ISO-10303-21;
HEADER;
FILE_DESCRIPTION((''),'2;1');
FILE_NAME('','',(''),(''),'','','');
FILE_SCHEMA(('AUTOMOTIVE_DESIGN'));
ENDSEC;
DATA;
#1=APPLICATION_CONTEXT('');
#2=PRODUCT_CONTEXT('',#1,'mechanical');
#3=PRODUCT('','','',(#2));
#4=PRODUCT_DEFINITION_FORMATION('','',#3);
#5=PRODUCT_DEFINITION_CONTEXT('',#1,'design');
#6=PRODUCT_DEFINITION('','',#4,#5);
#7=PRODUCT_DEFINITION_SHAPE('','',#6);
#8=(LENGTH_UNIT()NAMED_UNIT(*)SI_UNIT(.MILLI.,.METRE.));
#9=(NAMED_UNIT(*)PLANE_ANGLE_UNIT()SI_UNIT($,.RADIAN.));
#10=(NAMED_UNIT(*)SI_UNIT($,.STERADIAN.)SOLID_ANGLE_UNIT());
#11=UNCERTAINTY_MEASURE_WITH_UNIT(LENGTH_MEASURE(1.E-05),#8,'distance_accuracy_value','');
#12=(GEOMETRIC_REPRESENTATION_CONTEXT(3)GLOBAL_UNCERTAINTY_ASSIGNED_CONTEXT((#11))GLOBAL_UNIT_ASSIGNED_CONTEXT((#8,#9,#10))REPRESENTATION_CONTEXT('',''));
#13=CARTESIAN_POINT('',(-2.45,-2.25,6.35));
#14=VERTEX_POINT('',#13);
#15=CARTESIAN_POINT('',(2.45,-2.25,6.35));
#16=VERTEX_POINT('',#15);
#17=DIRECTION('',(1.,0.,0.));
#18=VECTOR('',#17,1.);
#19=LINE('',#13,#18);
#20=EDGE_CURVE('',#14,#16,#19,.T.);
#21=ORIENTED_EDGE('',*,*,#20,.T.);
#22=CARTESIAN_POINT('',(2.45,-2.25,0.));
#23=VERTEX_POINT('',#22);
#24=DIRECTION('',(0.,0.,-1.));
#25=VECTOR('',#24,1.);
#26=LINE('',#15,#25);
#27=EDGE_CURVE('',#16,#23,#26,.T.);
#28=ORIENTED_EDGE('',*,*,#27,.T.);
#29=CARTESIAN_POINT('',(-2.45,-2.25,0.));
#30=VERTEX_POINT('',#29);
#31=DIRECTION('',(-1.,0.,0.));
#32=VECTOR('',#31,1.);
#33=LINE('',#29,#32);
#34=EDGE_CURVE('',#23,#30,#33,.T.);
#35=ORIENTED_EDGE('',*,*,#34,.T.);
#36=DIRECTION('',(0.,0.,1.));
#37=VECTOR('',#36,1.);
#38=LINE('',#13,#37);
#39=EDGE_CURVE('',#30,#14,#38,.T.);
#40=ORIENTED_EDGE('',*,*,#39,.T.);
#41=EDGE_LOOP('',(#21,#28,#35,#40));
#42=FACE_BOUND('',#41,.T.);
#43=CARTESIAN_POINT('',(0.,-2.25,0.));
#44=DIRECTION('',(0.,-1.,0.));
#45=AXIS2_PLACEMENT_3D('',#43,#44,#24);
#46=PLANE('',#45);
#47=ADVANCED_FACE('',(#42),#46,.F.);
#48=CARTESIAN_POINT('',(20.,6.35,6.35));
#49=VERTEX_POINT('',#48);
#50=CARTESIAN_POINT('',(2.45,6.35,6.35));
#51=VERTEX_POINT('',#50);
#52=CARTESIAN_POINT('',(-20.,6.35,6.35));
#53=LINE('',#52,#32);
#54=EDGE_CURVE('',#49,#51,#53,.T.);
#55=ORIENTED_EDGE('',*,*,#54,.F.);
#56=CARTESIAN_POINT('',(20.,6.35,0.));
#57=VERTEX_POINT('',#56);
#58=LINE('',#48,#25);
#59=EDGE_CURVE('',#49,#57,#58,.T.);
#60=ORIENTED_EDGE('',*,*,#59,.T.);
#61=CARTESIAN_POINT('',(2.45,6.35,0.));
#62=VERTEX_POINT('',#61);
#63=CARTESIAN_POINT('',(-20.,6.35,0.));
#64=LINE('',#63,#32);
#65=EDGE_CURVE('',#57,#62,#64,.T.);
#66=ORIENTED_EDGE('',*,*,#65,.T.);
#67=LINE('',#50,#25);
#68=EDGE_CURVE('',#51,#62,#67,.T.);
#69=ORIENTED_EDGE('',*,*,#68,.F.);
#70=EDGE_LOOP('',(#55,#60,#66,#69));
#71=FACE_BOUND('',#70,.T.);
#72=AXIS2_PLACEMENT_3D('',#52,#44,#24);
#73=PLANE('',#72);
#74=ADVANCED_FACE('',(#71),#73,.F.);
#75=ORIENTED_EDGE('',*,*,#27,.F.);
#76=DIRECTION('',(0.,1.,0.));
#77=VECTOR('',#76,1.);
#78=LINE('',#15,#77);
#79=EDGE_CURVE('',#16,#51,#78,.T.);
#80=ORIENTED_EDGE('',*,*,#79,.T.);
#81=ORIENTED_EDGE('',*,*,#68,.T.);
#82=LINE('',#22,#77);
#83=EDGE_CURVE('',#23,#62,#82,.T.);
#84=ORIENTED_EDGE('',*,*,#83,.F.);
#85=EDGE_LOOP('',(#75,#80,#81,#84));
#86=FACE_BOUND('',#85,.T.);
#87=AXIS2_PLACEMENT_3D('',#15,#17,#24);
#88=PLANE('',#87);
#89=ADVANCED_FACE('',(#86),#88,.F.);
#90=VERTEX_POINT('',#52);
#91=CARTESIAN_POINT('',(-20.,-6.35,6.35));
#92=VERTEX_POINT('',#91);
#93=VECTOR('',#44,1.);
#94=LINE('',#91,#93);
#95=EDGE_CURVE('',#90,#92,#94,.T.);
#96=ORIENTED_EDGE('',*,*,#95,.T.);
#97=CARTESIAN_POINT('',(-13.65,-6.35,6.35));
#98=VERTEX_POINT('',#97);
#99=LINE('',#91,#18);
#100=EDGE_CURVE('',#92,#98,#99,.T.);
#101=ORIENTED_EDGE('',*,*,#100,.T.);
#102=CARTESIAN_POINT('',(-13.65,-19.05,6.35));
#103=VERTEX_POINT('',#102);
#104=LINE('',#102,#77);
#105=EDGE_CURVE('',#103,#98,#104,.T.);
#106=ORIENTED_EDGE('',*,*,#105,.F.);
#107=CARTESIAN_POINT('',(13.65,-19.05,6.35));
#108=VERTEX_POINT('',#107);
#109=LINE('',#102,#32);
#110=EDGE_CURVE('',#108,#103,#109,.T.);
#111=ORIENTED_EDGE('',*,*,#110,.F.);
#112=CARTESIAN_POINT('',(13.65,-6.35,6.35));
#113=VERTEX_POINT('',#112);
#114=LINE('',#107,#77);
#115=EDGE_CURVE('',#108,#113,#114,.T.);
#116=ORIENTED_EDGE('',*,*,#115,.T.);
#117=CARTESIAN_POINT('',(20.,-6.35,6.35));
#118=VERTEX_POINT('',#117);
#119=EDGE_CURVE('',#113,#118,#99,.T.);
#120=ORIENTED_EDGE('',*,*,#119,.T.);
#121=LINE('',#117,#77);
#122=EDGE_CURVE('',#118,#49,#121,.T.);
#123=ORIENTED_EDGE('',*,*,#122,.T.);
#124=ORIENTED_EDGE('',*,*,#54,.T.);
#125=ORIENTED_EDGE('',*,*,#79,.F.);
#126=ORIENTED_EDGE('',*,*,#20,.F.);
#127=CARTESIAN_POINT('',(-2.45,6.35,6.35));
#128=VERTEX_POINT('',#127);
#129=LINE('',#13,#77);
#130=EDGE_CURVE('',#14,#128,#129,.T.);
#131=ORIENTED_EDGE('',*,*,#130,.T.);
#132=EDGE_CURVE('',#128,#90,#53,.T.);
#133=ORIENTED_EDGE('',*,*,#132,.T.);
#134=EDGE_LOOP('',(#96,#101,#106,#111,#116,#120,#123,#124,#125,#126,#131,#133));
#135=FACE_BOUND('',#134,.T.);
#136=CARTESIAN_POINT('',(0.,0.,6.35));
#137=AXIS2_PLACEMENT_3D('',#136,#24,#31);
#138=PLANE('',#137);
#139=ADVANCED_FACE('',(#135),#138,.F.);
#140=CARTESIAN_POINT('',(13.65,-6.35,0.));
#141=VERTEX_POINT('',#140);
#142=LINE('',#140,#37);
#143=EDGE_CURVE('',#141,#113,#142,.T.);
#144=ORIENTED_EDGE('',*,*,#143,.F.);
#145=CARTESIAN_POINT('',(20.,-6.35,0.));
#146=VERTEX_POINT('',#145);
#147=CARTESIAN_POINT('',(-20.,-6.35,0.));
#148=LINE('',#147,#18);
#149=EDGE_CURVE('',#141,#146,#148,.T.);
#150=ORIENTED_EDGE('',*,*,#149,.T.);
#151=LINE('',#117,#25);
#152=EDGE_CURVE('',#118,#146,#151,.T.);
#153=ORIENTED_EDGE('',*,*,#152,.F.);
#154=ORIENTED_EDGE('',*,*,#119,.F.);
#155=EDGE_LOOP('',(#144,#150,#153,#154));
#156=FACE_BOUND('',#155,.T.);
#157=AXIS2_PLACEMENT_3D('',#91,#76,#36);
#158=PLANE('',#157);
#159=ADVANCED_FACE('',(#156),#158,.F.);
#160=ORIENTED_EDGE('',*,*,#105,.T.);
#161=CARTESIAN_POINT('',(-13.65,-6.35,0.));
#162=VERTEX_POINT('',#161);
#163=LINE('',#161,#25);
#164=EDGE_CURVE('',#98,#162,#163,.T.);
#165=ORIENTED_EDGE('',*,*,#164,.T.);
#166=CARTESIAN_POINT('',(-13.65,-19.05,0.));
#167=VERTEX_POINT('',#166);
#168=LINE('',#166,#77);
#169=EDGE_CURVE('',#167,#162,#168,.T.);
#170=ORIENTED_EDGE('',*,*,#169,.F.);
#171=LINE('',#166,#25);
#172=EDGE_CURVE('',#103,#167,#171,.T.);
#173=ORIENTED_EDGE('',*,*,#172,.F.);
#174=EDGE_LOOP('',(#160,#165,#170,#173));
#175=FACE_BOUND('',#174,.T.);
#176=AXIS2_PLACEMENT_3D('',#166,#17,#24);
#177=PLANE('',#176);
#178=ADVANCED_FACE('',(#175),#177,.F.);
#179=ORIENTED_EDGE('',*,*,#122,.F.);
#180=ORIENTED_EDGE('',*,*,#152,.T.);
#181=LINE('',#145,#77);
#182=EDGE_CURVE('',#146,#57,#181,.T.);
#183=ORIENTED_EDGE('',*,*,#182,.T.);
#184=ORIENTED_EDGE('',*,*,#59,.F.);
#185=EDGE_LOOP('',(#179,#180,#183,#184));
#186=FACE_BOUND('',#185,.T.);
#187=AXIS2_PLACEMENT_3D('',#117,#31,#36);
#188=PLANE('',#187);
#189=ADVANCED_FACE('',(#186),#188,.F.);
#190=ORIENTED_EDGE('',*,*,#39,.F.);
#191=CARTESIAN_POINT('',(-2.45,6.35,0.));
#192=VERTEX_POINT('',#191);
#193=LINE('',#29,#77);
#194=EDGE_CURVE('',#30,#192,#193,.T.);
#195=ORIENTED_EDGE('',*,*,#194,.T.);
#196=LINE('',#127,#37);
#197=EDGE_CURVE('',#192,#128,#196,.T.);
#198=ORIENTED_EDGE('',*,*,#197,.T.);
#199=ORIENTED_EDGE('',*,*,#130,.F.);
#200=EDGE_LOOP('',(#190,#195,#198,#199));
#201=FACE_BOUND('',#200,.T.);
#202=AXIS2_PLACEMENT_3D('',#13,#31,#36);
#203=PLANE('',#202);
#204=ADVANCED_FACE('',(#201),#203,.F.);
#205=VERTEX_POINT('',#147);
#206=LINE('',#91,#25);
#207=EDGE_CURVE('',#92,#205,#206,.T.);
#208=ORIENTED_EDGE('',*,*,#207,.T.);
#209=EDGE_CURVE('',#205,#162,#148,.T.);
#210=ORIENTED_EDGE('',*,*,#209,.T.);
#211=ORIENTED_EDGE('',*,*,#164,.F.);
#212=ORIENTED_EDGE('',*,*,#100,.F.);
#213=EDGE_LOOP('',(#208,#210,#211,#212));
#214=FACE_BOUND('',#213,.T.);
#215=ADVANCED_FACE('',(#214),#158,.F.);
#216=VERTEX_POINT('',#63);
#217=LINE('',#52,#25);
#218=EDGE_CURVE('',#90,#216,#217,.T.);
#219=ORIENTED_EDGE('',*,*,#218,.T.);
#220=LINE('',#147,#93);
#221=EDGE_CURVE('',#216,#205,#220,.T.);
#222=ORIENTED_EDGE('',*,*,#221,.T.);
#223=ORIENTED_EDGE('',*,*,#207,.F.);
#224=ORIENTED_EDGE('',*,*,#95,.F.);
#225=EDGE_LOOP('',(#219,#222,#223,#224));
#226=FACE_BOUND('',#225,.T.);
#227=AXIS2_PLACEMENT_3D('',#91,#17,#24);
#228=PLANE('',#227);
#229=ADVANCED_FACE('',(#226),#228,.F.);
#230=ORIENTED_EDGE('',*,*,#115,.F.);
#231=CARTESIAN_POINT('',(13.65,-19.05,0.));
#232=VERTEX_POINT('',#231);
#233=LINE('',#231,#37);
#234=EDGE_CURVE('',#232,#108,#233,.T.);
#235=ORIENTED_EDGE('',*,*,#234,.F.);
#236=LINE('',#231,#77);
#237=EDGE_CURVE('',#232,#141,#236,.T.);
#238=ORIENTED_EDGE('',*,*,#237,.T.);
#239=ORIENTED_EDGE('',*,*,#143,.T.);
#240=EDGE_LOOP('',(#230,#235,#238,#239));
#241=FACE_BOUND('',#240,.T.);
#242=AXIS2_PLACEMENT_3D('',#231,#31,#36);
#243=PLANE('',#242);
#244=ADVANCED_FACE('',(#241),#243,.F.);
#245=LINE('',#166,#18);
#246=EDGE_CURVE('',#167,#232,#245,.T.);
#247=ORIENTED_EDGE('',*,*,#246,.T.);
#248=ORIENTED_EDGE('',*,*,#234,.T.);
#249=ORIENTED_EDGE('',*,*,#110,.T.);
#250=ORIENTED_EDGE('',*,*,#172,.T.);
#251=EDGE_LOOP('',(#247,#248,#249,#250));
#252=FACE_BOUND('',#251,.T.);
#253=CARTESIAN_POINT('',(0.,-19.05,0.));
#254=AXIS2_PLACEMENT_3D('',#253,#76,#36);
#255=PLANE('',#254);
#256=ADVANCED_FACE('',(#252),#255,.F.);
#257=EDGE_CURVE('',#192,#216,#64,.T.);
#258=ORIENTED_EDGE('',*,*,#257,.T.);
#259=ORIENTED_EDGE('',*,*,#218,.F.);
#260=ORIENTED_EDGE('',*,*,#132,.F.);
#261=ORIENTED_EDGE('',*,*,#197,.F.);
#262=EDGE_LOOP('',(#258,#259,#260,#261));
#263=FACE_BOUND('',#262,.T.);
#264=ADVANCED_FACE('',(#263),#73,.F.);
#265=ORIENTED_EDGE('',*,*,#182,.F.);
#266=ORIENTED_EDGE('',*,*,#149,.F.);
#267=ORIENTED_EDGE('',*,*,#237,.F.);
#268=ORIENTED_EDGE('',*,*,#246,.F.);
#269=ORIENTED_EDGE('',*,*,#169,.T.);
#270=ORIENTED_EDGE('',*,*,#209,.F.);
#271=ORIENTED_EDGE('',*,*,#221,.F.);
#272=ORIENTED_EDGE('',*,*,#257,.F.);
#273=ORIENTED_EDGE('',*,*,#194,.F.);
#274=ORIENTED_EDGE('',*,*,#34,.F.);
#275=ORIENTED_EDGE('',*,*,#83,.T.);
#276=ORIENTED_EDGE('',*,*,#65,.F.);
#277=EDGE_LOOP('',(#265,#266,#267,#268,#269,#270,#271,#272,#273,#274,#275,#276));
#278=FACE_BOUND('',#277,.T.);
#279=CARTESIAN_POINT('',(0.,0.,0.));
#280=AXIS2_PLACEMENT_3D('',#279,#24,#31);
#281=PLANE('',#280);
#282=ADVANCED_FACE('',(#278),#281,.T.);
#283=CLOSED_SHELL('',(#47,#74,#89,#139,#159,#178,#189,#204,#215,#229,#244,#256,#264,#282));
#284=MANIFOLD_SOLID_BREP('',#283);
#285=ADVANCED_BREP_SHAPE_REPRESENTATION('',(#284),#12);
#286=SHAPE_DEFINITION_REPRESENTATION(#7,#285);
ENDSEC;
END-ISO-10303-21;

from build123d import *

# Parameters (mm, degrees)
SKETCH2_W           = 40
SKETCH2_H           = 12.7
BOSS_EXTRUDE1_DEPTH = 6.35
SKETCH3_W           = 27.3
SKETCH3_H           = 6.35
BOSS_EXTRUDE2_DEPTH = 12.7
SKETCH4_W           = 4.9
SKETCH4_H           = 6.35
CUT_EXTRUDE1_DEPTH  = 8.6


with BuildPart() as part:
    # Sketch2 → Boss-Extrude1 (new body)
    with BuildSketch(Plane.XY):
        Rectangle(SKETCH2_W, SKETCH2_H)
    extrude(amount=BOSS_EXTRUDE1_DEPTH)

    # Sketch3 → Boss-Extrude2 (add)
    with BuildSketch(Plane.XZ.offset(6.35)):
        with Locations((0, 3.175)):
            Rectangle(SKETCH3_W, SKETCH3_H)
    extrude(amount=BOSS_EXTRUDE2_DEPTH)

    # Sketch4 → Cut-Extrude1 (cut)
    with BuildSketch(Plane(origin=(0, 6.35, 0), x_dir=(1, 0, 0), z_dir=(0, 1, 0))):
        with Locations((0, -3.175)):
            Rectangle(SKETCH4_W, SKETCH4_H)
    extrude(amount=-CUT_EXTRUDE1_DEPTH, mode=Mode.SUBTRACT)


solid = part.part
